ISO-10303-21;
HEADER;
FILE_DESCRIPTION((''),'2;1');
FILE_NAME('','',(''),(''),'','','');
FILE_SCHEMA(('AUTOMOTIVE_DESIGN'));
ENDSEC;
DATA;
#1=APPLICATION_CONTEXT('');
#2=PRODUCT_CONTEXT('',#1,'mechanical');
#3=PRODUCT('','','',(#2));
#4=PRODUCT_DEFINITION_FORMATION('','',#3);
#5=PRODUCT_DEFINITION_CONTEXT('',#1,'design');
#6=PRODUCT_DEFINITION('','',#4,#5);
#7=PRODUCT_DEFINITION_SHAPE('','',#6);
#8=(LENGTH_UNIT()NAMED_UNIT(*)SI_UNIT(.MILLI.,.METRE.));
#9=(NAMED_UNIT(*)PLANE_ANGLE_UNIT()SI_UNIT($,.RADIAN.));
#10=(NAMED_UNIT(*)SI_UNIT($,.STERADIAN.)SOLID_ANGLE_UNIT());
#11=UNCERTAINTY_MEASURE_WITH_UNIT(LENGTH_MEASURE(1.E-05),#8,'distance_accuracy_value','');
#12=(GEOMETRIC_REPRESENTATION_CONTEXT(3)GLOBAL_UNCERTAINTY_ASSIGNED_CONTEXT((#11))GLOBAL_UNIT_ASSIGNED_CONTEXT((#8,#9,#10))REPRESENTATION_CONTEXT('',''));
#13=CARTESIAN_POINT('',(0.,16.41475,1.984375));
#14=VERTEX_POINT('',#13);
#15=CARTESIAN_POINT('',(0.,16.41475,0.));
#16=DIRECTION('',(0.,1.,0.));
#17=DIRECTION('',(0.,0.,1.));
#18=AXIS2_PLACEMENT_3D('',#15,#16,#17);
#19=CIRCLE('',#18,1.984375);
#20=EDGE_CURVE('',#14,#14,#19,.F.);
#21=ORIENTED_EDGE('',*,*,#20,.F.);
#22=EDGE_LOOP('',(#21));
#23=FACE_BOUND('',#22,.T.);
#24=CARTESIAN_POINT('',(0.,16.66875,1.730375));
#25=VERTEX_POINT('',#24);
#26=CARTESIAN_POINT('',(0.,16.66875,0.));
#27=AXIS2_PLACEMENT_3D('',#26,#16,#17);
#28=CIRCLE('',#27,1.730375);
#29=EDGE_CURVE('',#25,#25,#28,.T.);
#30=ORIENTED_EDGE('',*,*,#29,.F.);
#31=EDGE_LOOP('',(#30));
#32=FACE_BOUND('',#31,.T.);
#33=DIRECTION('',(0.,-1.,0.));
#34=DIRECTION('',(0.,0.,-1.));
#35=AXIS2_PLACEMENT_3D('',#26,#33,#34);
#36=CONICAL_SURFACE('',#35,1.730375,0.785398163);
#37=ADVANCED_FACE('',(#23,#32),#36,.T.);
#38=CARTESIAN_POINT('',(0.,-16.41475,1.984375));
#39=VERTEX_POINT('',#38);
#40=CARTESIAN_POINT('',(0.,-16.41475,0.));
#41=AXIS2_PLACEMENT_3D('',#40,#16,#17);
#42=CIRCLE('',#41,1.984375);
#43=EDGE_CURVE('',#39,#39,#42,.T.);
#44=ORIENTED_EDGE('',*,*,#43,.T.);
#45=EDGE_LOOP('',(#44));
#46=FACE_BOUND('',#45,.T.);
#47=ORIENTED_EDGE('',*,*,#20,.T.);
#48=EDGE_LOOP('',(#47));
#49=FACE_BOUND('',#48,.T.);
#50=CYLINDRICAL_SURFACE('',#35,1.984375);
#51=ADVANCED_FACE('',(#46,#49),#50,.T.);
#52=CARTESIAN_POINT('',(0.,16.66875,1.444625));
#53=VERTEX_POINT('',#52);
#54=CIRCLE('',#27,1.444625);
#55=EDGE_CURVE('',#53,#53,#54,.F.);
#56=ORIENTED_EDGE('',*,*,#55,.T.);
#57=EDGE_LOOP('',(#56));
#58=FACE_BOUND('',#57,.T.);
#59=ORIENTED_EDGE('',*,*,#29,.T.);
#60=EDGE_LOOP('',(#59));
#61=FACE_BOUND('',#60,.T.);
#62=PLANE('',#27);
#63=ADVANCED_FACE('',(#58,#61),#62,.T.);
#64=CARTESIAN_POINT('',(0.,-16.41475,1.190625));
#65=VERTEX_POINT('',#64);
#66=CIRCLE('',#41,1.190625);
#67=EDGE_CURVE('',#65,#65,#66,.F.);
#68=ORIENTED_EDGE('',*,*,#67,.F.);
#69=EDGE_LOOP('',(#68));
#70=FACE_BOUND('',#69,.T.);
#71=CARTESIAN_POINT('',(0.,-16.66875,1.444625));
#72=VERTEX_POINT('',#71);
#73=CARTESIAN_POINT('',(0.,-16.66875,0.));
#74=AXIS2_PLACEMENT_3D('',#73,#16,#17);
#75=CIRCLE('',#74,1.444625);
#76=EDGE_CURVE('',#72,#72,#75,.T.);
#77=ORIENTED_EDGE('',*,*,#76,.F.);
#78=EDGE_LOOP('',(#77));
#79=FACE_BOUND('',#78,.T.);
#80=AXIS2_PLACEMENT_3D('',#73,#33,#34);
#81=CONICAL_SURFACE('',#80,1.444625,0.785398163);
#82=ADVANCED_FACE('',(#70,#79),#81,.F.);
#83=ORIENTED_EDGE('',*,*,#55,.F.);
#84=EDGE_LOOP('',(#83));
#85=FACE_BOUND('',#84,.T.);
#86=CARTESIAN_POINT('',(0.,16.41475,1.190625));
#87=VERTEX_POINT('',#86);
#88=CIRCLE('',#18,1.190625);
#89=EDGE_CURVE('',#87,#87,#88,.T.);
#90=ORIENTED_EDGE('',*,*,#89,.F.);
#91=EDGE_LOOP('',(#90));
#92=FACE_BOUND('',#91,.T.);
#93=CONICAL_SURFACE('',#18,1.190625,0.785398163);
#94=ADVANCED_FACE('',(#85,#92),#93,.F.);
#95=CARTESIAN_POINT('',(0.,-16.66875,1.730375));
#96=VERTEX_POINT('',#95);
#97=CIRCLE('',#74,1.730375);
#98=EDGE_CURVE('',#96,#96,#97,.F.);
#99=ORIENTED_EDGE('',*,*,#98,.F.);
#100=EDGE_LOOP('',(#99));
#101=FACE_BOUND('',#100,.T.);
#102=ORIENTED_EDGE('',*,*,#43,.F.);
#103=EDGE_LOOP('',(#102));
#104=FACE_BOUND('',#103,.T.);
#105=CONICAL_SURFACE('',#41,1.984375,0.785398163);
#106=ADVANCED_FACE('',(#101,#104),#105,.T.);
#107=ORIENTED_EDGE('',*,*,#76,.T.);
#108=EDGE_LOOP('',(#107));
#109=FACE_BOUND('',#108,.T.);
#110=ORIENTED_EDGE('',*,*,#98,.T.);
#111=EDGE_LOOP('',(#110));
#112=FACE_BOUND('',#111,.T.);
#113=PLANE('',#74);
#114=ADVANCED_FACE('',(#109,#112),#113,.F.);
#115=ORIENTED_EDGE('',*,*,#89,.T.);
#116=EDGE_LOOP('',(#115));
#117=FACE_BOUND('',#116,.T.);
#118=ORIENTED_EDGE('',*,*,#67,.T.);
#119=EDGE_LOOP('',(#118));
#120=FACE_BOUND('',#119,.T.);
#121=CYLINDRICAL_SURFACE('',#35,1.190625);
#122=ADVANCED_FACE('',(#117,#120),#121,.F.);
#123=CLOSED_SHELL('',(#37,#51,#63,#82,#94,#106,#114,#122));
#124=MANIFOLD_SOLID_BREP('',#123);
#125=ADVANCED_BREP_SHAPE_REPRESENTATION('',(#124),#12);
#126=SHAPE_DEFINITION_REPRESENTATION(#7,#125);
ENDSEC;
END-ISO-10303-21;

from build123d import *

# Parameters (mm, degrees)
SKETCH1_R           = 1.984375
SKETCH1_R_2         = 1.190625
BOSS_EXTRUDE1_DEPTH = 16.66875
CHAMFER1_SIZE       = 0.254


with BuildPart() as part:
    # Sketch1 → Boss-Extrude1 (new body, symmetric)
    with BuildSketch(Plane(origin=(0, 0, 0), x_dir=(1, 0, 0), z_dir=(0, 1, 0))):
        Circle(SKETCH1_R)
        Circle(SKETCH1_R_2, mode=Mode.SUBTRACT)
    extrude(amount=BOSS_EXTRUDE1_DEPTH, both=True)

    # Chamfer1
    chamfer1_edges = [part.edges().sort_by_distance(p)[0] for p in [
        (-1.984375, -16.66875, 0),
        (-1.984375, 16.66875, 0),
        (-1.190625, -16.66875, 0),
        (-1.190625, 16.66875, 0),
    ]]
    chamfer(chamfer1_edges, length=CHAMFER1_SIZE)


solid = part.part
